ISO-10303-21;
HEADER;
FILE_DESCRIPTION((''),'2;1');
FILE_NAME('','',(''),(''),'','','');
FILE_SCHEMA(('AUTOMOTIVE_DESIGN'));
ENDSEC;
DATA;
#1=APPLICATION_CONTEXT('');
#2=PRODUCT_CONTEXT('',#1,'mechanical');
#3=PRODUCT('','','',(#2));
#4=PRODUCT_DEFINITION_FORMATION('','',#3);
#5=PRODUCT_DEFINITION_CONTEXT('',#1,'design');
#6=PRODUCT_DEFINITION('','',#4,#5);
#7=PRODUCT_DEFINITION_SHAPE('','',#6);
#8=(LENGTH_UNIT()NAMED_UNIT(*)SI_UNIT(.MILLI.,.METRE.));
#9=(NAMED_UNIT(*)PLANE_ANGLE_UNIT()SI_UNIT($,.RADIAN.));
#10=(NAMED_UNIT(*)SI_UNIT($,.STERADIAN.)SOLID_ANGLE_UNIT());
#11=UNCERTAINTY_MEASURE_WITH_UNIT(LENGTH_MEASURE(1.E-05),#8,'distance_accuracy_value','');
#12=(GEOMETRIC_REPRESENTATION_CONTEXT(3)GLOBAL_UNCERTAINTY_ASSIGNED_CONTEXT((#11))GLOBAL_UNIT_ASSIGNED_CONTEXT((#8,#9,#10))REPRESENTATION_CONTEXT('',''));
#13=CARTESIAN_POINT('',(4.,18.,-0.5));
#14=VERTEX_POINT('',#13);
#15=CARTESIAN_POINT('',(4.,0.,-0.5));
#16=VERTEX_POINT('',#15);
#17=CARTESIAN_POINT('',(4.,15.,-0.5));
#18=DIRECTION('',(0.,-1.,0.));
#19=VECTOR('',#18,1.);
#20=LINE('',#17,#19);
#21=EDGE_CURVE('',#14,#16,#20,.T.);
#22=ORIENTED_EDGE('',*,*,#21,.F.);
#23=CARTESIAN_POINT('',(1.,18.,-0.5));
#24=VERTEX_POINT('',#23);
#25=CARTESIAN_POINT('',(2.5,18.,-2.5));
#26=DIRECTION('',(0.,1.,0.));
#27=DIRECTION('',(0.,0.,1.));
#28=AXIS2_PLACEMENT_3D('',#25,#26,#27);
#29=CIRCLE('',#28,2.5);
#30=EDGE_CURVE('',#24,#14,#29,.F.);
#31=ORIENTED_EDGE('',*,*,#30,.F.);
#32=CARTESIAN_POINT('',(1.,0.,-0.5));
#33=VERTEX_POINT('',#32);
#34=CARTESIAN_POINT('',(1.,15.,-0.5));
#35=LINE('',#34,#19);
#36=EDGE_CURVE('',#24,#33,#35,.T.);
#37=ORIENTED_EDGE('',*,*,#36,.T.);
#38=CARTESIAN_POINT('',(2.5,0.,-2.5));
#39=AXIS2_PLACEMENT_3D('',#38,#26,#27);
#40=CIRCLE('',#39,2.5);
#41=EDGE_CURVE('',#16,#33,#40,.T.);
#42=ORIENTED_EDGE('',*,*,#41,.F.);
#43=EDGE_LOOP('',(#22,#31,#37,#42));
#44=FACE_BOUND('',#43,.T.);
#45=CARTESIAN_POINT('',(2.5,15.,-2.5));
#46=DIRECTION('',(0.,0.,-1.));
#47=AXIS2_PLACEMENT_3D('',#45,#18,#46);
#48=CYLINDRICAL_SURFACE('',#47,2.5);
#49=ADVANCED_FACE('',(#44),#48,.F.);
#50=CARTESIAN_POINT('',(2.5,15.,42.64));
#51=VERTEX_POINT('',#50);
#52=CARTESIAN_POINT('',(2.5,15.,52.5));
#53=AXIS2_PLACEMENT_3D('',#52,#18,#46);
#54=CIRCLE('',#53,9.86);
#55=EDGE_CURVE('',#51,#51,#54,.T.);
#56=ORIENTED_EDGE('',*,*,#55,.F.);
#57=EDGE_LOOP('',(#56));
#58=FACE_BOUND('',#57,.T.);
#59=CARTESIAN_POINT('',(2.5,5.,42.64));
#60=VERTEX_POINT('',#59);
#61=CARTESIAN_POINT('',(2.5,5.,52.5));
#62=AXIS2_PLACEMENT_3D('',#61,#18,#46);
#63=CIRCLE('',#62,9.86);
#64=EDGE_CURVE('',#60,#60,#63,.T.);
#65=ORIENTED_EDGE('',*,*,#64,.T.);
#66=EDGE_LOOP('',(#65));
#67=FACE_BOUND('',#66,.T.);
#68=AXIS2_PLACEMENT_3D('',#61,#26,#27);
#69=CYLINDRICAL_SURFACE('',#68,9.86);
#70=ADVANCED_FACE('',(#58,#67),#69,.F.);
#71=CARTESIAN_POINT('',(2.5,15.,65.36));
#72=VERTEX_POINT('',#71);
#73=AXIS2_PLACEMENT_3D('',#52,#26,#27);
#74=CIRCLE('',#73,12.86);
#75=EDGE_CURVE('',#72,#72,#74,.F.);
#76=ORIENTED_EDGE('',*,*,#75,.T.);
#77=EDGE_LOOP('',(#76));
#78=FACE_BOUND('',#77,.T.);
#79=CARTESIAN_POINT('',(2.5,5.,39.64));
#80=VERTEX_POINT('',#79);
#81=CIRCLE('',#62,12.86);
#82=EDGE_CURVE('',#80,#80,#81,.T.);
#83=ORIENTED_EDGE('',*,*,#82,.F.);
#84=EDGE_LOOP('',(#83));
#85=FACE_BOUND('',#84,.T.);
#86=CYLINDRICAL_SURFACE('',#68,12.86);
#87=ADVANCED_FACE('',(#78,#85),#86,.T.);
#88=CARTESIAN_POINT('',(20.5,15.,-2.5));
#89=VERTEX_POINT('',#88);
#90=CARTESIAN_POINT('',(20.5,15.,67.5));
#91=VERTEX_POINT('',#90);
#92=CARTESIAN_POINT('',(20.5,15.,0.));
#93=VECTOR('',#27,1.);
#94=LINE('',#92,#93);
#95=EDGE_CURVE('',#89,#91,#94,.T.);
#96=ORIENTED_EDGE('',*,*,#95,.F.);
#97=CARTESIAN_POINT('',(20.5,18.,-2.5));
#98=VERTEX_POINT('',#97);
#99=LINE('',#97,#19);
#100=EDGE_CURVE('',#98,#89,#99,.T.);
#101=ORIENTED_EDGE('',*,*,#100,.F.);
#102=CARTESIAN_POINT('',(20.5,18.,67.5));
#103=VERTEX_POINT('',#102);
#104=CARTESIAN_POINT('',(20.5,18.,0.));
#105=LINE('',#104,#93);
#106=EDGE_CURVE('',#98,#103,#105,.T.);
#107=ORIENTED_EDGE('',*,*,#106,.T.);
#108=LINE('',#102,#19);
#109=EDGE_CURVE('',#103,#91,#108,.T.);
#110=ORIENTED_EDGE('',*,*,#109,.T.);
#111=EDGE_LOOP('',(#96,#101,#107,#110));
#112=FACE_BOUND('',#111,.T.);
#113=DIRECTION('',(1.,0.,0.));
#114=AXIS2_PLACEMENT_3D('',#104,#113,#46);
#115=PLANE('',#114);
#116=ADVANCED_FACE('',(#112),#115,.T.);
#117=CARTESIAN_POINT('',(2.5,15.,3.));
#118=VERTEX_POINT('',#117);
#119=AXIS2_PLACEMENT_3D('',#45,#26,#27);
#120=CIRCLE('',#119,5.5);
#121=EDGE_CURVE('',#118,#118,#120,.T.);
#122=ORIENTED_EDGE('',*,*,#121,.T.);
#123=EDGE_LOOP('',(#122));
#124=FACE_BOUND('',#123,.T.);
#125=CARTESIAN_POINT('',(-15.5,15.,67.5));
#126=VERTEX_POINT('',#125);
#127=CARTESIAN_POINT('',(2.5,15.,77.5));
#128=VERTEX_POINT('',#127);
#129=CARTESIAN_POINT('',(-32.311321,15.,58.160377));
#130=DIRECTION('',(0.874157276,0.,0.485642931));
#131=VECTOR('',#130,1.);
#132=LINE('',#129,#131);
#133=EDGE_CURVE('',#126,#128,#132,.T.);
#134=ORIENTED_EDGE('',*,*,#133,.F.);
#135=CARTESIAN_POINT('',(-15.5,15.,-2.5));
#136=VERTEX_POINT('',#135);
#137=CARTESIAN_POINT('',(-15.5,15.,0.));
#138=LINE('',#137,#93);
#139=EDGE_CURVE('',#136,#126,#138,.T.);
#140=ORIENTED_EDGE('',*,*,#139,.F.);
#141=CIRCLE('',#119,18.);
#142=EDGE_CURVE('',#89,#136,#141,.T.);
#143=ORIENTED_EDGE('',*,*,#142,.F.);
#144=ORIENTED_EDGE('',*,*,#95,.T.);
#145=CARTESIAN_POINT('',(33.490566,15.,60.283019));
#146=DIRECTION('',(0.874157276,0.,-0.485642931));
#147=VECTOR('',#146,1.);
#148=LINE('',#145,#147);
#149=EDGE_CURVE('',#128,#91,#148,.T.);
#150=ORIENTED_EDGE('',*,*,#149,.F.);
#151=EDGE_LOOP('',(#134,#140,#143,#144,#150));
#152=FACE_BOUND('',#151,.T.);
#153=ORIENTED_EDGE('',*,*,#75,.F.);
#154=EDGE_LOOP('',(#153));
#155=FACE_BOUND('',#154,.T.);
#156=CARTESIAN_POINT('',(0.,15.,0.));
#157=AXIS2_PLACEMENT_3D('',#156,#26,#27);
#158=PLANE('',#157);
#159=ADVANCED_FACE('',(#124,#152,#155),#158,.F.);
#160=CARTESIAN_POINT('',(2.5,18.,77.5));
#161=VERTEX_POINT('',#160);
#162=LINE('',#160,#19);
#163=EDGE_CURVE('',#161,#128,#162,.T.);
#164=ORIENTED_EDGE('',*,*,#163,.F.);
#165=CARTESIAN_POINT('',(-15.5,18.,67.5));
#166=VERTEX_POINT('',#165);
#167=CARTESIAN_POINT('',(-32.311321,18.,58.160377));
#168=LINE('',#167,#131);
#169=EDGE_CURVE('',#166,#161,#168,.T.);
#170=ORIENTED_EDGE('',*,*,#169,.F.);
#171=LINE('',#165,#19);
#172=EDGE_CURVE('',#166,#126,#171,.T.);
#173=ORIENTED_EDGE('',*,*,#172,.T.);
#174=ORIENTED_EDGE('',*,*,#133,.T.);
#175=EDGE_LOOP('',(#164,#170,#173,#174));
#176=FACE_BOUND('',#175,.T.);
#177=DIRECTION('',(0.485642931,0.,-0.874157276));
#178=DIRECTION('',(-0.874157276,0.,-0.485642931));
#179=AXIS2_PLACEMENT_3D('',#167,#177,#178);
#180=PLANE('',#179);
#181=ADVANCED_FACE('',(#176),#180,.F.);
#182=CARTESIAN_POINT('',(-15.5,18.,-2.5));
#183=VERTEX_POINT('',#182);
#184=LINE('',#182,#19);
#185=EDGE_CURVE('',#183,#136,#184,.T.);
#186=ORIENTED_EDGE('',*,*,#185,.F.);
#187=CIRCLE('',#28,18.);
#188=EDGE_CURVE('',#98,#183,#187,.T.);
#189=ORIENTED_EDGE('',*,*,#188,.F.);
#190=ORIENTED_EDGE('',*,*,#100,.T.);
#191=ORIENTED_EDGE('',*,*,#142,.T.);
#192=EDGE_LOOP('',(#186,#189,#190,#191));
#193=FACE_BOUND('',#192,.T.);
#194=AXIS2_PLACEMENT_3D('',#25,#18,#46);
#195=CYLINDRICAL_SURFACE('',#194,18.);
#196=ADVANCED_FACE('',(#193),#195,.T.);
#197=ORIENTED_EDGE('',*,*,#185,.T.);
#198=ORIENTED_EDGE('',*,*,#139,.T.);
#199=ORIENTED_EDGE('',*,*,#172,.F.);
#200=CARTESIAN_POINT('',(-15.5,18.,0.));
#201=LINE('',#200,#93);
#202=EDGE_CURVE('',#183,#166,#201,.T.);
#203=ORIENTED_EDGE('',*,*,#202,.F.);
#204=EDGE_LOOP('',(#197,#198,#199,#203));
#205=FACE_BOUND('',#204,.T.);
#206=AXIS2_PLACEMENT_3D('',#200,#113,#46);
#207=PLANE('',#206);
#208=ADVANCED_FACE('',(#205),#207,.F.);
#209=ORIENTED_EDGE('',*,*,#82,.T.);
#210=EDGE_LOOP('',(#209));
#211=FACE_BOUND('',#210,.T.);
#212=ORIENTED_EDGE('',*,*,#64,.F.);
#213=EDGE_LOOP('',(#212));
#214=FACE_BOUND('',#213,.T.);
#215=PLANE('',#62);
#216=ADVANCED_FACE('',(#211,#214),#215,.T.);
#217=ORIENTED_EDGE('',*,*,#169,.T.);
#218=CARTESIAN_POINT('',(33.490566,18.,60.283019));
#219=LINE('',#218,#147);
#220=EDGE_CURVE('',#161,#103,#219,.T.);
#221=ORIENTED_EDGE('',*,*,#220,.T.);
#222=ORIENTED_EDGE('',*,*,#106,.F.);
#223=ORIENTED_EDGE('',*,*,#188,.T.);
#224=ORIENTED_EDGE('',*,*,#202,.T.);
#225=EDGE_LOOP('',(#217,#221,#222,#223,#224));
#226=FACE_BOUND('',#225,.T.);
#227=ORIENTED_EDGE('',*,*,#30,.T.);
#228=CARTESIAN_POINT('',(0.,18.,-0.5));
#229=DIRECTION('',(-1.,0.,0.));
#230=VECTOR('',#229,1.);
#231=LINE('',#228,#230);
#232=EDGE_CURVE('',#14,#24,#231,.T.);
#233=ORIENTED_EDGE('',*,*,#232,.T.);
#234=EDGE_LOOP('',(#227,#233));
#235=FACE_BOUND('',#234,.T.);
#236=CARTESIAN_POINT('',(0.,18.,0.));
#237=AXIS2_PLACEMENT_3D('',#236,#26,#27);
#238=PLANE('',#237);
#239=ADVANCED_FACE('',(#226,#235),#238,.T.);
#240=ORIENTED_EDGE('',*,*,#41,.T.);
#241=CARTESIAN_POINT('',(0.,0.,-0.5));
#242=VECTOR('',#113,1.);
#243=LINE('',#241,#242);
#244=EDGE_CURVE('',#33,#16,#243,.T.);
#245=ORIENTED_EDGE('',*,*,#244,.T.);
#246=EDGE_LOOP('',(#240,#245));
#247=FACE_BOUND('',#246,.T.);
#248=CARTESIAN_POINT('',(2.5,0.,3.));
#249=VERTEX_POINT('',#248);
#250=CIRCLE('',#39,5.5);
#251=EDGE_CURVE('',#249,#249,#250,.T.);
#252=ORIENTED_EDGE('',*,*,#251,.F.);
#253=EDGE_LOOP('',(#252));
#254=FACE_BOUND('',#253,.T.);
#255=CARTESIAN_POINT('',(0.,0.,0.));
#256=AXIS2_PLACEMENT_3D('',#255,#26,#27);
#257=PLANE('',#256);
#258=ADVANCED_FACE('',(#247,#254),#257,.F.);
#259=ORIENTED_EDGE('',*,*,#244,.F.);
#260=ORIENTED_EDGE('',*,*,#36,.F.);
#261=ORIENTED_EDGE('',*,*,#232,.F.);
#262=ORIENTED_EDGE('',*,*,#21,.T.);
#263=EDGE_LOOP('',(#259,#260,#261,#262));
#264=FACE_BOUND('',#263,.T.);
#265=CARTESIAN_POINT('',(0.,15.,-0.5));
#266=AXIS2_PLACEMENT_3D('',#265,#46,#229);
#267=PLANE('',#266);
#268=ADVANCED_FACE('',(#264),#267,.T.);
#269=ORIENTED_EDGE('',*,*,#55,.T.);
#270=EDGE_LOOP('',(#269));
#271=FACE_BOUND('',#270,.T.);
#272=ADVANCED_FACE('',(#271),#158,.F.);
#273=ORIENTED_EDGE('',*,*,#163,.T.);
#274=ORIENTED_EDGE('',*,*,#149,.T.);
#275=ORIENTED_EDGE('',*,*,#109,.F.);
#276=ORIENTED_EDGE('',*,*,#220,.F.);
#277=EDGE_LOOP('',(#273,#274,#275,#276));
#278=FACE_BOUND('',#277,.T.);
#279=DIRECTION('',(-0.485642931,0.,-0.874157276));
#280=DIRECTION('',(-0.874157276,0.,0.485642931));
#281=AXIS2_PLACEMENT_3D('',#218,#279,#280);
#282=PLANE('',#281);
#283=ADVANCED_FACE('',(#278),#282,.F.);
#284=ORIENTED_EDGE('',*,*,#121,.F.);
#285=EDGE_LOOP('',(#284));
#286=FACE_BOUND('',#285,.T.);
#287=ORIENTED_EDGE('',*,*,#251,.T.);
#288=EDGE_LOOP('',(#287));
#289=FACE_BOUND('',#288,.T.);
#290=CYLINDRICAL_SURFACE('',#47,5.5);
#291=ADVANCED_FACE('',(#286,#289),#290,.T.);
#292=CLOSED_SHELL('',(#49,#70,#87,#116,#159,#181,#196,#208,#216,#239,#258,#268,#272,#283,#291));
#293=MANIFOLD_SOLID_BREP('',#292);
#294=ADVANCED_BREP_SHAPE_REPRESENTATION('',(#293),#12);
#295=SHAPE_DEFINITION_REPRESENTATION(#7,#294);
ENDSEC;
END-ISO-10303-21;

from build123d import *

# Parameters (mm, degrees)
SKETCH1_R           = 5.5
BOSS_EXTRUDE1_DEPTH = 15
SKETCH2_R           = 18
SKETCH2_R_2         = 5.5
BOSS_EXTRUDE3_DEPTH = 3
SKETCH3_R           = 12.86
SKETCH3_R_2         = 9.86
BOSS_EXTRUDE4_DEPTH = 10


with BuildPart() as part:
    # Sketch1 → Boss-Extrude1 (new body)
    with BuildSketch(Plane(origin=(0, 0, 0), x_dir=(1, 0, 0), z_dir=(0, 1, 0))):
        with Locations(Location((2.5, 2.5, 0), (0, 0, 270))):
            Circle(SKETCH1_R)
        with BuildLine():
            Line((4, 0.5), (1, 0.5))
            ThreePointArc((1, 0.5), (2.5, 5), (4, 0.5))
        make_face(mode=Mode.SUBTRACT)
    extrude(amount=BOSS_EXTRUDE1_DEPTH)

    # Sketch2 → Boss-Extrude3 (add)
    with BuildSketch(Plane(origin=(0, 15, 0), x_dir=(1, 0, 0), z_dir=(0, 1, 0))):
        with Locations((2.5, 2.5)):
            Circle(SKETCH2_R)
        with Locations(Location((2.5, 2.5, 0), (0, 0, 270))):
            Circle(SKETCH2_R_2, mode=Mode.SUBTRACT)
        with Locations(Location((2.5, 2.5, 0), (0, 0, 270))):
            Circle(SKETCH2_R_2)
        with BuildLine():
            Line((4, 0.5), (1, 0.5))
            ThreePointArc((1, 0.5), (2.5, 5), (4, 0.5))
        make_face(mode=Mode.SUBTRACT)
        with BuildLine():
            ThreePointArc((20.5, 2.5), (2.5, -15.5), (-15.5, 2.5))
            Line((-15.5, 2.5), (-15.5, -67.5))
            Line((-15.5, -67.5), (2.5, -77.5))
            Line((2.5, -77.5), (20.5, -67.5))
            Line((20.5, -67.5), (20.5, 2.5))
        make_face()
    extrude(amount=BOSS_EXTRUDE3_DEPTH)

    # Sketch3 → Boss-Extrude4 (add)
    with BuildSketch(Plane.XZ.offset(-15)):
        with Locations(Location((2.5, 52.5, 0), (0, 0, 90))):
            Circle(SKETCH3_R)
        with Locations(Location((2.5, 52.5, 0), (0, 0, 270))):
            Circle(SKETCH3_R_2, mode=Mode.SUBTRACT)
    extrude(amount=BOSS_EXTRUDE4_DEPTH)


solid = part.part
